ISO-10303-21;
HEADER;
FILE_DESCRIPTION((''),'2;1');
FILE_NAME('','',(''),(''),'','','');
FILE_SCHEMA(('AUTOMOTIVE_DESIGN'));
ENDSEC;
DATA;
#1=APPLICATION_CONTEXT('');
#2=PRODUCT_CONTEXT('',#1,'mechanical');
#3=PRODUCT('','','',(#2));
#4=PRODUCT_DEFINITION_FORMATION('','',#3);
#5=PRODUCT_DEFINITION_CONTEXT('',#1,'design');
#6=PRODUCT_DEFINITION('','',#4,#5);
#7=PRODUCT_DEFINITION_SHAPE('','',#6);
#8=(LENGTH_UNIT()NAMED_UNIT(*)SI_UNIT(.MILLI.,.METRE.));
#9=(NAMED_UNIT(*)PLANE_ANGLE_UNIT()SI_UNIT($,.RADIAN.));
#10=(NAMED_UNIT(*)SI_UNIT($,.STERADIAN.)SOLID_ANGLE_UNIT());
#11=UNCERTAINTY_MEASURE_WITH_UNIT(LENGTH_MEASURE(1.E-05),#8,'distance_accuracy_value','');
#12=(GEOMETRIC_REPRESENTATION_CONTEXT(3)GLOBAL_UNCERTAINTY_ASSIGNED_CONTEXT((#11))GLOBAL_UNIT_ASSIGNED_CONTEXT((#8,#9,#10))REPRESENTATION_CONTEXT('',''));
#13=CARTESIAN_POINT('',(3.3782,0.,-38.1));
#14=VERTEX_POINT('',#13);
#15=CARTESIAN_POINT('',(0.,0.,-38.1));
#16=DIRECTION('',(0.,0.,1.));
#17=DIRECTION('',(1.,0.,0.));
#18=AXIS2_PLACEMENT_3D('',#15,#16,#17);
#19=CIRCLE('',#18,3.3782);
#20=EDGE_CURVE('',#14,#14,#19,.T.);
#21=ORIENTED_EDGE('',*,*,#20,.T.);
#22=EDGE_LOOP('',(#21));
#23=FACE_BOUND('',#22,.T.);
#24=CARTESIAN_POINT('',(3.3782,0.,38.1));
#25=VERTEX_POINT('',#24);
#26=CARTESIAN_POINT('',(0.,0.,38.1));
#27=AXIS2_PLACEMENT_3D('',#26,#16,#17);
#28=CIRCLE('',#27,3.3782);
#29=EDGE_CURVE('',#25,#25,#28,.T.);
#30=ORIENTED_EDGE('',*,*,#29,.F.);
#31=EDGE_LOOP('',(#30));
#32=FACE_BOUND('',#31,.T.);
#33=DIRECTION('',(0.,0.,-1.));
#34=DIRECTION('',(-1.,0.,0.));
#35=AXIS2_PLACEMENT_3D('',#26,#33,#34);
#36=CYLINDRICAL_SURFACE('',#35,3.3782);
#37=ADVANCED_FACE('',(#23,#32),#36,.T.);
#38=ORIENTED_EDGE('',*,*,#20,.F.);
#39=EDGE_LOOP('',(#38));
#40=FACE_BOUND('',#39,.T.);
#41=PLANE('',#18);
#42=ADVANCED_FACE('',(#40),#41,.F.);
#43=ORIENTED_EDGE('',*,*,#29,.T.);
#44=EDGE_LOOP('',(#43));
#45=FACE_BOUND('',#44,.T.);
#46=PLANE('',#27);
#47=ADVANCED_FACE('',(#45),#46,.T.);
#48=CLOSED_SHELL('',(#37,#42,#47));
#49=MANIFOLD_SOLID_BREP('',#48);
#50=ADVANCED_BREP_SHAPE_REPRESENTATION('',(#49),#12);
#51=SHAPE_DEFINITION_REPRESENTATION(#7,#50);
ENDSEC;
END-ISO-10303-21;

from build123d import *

# Parameters (mm, degrees)
SKETCH1_R           = 3.3782
BOSS_EXTRUDE1_DEPTH = 38.1


with BuildPart() as part:
    # Sketch1 → Boss-Extrude1 (new body, symmetric)
    with BuildSketch(Plane.XY):
        Circle(SKETCH1_R)
    extrude(amount=BOSS_EXTRUDE1_DEPTH, both=True)


solid = part.part
